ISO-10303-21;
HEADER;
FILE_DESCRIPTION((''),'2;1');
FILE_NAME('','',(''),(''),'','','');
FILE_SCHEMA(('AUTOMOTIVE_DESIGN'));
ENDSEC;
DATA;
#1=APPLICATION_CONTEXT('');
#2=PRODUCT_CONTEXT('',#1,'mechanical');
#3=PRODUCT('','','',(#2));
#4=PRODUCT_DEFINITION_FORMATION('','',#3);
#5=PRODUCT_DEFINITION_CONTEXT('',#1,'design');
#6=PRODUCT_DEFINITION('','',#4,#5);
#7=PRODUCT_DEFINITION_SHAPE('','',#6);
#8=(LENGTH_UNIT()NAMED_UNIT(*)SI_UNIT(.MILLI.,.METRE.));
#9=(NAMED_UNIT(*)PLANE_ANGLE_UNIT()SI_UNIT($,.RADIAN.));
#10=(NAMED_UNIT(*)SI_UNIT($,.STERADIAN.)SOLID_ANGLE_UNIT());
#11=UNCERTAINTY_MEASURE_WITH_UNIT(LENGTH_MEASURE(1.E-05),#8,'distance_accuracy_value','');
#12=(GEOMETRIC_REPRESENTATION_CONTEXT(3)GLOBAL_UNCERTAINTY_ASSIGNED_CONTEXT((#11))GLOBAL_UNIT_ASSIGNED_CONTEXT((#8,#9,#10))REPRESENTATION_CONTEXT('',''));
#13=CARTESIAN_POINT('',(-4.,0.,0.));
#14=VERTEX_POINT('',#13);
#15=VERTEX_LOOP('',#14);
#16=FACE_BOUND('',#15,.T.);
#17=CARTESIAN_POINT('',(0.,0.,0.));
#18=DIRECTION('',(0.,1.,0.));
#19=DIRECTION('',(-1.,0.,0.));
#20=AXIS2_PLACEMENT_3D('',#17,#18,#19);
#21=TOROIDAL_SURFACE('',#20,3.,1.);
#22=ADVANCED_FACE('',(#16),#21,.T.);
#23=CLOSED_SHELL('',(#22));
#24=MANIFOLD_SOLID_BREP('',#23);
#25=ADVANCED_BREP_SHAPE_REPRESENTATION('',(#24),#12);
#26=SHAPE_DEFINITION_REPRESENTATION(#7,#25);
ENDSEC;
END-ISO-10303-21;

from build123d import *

# Parameters (mm, degrees)
SKETCH1_R = 1


with BuildPart() as part:
    # Sketch1 → Revolve1 (revolve)
    with BuildSketch(Plane.XY, mode=Mode.PRIVATE) as revolve1_sk:
        with Locations((3, 0)):
            Circle(SKETCH1_R)
    revolve(revolve1_sk.sketch.rotate(Axis((0, 2.317757009, 0), (0, -1, 0)), 180), axis=Axis((0, 2.317757009, 0), (0, -1, 0)))


solid = part.part
